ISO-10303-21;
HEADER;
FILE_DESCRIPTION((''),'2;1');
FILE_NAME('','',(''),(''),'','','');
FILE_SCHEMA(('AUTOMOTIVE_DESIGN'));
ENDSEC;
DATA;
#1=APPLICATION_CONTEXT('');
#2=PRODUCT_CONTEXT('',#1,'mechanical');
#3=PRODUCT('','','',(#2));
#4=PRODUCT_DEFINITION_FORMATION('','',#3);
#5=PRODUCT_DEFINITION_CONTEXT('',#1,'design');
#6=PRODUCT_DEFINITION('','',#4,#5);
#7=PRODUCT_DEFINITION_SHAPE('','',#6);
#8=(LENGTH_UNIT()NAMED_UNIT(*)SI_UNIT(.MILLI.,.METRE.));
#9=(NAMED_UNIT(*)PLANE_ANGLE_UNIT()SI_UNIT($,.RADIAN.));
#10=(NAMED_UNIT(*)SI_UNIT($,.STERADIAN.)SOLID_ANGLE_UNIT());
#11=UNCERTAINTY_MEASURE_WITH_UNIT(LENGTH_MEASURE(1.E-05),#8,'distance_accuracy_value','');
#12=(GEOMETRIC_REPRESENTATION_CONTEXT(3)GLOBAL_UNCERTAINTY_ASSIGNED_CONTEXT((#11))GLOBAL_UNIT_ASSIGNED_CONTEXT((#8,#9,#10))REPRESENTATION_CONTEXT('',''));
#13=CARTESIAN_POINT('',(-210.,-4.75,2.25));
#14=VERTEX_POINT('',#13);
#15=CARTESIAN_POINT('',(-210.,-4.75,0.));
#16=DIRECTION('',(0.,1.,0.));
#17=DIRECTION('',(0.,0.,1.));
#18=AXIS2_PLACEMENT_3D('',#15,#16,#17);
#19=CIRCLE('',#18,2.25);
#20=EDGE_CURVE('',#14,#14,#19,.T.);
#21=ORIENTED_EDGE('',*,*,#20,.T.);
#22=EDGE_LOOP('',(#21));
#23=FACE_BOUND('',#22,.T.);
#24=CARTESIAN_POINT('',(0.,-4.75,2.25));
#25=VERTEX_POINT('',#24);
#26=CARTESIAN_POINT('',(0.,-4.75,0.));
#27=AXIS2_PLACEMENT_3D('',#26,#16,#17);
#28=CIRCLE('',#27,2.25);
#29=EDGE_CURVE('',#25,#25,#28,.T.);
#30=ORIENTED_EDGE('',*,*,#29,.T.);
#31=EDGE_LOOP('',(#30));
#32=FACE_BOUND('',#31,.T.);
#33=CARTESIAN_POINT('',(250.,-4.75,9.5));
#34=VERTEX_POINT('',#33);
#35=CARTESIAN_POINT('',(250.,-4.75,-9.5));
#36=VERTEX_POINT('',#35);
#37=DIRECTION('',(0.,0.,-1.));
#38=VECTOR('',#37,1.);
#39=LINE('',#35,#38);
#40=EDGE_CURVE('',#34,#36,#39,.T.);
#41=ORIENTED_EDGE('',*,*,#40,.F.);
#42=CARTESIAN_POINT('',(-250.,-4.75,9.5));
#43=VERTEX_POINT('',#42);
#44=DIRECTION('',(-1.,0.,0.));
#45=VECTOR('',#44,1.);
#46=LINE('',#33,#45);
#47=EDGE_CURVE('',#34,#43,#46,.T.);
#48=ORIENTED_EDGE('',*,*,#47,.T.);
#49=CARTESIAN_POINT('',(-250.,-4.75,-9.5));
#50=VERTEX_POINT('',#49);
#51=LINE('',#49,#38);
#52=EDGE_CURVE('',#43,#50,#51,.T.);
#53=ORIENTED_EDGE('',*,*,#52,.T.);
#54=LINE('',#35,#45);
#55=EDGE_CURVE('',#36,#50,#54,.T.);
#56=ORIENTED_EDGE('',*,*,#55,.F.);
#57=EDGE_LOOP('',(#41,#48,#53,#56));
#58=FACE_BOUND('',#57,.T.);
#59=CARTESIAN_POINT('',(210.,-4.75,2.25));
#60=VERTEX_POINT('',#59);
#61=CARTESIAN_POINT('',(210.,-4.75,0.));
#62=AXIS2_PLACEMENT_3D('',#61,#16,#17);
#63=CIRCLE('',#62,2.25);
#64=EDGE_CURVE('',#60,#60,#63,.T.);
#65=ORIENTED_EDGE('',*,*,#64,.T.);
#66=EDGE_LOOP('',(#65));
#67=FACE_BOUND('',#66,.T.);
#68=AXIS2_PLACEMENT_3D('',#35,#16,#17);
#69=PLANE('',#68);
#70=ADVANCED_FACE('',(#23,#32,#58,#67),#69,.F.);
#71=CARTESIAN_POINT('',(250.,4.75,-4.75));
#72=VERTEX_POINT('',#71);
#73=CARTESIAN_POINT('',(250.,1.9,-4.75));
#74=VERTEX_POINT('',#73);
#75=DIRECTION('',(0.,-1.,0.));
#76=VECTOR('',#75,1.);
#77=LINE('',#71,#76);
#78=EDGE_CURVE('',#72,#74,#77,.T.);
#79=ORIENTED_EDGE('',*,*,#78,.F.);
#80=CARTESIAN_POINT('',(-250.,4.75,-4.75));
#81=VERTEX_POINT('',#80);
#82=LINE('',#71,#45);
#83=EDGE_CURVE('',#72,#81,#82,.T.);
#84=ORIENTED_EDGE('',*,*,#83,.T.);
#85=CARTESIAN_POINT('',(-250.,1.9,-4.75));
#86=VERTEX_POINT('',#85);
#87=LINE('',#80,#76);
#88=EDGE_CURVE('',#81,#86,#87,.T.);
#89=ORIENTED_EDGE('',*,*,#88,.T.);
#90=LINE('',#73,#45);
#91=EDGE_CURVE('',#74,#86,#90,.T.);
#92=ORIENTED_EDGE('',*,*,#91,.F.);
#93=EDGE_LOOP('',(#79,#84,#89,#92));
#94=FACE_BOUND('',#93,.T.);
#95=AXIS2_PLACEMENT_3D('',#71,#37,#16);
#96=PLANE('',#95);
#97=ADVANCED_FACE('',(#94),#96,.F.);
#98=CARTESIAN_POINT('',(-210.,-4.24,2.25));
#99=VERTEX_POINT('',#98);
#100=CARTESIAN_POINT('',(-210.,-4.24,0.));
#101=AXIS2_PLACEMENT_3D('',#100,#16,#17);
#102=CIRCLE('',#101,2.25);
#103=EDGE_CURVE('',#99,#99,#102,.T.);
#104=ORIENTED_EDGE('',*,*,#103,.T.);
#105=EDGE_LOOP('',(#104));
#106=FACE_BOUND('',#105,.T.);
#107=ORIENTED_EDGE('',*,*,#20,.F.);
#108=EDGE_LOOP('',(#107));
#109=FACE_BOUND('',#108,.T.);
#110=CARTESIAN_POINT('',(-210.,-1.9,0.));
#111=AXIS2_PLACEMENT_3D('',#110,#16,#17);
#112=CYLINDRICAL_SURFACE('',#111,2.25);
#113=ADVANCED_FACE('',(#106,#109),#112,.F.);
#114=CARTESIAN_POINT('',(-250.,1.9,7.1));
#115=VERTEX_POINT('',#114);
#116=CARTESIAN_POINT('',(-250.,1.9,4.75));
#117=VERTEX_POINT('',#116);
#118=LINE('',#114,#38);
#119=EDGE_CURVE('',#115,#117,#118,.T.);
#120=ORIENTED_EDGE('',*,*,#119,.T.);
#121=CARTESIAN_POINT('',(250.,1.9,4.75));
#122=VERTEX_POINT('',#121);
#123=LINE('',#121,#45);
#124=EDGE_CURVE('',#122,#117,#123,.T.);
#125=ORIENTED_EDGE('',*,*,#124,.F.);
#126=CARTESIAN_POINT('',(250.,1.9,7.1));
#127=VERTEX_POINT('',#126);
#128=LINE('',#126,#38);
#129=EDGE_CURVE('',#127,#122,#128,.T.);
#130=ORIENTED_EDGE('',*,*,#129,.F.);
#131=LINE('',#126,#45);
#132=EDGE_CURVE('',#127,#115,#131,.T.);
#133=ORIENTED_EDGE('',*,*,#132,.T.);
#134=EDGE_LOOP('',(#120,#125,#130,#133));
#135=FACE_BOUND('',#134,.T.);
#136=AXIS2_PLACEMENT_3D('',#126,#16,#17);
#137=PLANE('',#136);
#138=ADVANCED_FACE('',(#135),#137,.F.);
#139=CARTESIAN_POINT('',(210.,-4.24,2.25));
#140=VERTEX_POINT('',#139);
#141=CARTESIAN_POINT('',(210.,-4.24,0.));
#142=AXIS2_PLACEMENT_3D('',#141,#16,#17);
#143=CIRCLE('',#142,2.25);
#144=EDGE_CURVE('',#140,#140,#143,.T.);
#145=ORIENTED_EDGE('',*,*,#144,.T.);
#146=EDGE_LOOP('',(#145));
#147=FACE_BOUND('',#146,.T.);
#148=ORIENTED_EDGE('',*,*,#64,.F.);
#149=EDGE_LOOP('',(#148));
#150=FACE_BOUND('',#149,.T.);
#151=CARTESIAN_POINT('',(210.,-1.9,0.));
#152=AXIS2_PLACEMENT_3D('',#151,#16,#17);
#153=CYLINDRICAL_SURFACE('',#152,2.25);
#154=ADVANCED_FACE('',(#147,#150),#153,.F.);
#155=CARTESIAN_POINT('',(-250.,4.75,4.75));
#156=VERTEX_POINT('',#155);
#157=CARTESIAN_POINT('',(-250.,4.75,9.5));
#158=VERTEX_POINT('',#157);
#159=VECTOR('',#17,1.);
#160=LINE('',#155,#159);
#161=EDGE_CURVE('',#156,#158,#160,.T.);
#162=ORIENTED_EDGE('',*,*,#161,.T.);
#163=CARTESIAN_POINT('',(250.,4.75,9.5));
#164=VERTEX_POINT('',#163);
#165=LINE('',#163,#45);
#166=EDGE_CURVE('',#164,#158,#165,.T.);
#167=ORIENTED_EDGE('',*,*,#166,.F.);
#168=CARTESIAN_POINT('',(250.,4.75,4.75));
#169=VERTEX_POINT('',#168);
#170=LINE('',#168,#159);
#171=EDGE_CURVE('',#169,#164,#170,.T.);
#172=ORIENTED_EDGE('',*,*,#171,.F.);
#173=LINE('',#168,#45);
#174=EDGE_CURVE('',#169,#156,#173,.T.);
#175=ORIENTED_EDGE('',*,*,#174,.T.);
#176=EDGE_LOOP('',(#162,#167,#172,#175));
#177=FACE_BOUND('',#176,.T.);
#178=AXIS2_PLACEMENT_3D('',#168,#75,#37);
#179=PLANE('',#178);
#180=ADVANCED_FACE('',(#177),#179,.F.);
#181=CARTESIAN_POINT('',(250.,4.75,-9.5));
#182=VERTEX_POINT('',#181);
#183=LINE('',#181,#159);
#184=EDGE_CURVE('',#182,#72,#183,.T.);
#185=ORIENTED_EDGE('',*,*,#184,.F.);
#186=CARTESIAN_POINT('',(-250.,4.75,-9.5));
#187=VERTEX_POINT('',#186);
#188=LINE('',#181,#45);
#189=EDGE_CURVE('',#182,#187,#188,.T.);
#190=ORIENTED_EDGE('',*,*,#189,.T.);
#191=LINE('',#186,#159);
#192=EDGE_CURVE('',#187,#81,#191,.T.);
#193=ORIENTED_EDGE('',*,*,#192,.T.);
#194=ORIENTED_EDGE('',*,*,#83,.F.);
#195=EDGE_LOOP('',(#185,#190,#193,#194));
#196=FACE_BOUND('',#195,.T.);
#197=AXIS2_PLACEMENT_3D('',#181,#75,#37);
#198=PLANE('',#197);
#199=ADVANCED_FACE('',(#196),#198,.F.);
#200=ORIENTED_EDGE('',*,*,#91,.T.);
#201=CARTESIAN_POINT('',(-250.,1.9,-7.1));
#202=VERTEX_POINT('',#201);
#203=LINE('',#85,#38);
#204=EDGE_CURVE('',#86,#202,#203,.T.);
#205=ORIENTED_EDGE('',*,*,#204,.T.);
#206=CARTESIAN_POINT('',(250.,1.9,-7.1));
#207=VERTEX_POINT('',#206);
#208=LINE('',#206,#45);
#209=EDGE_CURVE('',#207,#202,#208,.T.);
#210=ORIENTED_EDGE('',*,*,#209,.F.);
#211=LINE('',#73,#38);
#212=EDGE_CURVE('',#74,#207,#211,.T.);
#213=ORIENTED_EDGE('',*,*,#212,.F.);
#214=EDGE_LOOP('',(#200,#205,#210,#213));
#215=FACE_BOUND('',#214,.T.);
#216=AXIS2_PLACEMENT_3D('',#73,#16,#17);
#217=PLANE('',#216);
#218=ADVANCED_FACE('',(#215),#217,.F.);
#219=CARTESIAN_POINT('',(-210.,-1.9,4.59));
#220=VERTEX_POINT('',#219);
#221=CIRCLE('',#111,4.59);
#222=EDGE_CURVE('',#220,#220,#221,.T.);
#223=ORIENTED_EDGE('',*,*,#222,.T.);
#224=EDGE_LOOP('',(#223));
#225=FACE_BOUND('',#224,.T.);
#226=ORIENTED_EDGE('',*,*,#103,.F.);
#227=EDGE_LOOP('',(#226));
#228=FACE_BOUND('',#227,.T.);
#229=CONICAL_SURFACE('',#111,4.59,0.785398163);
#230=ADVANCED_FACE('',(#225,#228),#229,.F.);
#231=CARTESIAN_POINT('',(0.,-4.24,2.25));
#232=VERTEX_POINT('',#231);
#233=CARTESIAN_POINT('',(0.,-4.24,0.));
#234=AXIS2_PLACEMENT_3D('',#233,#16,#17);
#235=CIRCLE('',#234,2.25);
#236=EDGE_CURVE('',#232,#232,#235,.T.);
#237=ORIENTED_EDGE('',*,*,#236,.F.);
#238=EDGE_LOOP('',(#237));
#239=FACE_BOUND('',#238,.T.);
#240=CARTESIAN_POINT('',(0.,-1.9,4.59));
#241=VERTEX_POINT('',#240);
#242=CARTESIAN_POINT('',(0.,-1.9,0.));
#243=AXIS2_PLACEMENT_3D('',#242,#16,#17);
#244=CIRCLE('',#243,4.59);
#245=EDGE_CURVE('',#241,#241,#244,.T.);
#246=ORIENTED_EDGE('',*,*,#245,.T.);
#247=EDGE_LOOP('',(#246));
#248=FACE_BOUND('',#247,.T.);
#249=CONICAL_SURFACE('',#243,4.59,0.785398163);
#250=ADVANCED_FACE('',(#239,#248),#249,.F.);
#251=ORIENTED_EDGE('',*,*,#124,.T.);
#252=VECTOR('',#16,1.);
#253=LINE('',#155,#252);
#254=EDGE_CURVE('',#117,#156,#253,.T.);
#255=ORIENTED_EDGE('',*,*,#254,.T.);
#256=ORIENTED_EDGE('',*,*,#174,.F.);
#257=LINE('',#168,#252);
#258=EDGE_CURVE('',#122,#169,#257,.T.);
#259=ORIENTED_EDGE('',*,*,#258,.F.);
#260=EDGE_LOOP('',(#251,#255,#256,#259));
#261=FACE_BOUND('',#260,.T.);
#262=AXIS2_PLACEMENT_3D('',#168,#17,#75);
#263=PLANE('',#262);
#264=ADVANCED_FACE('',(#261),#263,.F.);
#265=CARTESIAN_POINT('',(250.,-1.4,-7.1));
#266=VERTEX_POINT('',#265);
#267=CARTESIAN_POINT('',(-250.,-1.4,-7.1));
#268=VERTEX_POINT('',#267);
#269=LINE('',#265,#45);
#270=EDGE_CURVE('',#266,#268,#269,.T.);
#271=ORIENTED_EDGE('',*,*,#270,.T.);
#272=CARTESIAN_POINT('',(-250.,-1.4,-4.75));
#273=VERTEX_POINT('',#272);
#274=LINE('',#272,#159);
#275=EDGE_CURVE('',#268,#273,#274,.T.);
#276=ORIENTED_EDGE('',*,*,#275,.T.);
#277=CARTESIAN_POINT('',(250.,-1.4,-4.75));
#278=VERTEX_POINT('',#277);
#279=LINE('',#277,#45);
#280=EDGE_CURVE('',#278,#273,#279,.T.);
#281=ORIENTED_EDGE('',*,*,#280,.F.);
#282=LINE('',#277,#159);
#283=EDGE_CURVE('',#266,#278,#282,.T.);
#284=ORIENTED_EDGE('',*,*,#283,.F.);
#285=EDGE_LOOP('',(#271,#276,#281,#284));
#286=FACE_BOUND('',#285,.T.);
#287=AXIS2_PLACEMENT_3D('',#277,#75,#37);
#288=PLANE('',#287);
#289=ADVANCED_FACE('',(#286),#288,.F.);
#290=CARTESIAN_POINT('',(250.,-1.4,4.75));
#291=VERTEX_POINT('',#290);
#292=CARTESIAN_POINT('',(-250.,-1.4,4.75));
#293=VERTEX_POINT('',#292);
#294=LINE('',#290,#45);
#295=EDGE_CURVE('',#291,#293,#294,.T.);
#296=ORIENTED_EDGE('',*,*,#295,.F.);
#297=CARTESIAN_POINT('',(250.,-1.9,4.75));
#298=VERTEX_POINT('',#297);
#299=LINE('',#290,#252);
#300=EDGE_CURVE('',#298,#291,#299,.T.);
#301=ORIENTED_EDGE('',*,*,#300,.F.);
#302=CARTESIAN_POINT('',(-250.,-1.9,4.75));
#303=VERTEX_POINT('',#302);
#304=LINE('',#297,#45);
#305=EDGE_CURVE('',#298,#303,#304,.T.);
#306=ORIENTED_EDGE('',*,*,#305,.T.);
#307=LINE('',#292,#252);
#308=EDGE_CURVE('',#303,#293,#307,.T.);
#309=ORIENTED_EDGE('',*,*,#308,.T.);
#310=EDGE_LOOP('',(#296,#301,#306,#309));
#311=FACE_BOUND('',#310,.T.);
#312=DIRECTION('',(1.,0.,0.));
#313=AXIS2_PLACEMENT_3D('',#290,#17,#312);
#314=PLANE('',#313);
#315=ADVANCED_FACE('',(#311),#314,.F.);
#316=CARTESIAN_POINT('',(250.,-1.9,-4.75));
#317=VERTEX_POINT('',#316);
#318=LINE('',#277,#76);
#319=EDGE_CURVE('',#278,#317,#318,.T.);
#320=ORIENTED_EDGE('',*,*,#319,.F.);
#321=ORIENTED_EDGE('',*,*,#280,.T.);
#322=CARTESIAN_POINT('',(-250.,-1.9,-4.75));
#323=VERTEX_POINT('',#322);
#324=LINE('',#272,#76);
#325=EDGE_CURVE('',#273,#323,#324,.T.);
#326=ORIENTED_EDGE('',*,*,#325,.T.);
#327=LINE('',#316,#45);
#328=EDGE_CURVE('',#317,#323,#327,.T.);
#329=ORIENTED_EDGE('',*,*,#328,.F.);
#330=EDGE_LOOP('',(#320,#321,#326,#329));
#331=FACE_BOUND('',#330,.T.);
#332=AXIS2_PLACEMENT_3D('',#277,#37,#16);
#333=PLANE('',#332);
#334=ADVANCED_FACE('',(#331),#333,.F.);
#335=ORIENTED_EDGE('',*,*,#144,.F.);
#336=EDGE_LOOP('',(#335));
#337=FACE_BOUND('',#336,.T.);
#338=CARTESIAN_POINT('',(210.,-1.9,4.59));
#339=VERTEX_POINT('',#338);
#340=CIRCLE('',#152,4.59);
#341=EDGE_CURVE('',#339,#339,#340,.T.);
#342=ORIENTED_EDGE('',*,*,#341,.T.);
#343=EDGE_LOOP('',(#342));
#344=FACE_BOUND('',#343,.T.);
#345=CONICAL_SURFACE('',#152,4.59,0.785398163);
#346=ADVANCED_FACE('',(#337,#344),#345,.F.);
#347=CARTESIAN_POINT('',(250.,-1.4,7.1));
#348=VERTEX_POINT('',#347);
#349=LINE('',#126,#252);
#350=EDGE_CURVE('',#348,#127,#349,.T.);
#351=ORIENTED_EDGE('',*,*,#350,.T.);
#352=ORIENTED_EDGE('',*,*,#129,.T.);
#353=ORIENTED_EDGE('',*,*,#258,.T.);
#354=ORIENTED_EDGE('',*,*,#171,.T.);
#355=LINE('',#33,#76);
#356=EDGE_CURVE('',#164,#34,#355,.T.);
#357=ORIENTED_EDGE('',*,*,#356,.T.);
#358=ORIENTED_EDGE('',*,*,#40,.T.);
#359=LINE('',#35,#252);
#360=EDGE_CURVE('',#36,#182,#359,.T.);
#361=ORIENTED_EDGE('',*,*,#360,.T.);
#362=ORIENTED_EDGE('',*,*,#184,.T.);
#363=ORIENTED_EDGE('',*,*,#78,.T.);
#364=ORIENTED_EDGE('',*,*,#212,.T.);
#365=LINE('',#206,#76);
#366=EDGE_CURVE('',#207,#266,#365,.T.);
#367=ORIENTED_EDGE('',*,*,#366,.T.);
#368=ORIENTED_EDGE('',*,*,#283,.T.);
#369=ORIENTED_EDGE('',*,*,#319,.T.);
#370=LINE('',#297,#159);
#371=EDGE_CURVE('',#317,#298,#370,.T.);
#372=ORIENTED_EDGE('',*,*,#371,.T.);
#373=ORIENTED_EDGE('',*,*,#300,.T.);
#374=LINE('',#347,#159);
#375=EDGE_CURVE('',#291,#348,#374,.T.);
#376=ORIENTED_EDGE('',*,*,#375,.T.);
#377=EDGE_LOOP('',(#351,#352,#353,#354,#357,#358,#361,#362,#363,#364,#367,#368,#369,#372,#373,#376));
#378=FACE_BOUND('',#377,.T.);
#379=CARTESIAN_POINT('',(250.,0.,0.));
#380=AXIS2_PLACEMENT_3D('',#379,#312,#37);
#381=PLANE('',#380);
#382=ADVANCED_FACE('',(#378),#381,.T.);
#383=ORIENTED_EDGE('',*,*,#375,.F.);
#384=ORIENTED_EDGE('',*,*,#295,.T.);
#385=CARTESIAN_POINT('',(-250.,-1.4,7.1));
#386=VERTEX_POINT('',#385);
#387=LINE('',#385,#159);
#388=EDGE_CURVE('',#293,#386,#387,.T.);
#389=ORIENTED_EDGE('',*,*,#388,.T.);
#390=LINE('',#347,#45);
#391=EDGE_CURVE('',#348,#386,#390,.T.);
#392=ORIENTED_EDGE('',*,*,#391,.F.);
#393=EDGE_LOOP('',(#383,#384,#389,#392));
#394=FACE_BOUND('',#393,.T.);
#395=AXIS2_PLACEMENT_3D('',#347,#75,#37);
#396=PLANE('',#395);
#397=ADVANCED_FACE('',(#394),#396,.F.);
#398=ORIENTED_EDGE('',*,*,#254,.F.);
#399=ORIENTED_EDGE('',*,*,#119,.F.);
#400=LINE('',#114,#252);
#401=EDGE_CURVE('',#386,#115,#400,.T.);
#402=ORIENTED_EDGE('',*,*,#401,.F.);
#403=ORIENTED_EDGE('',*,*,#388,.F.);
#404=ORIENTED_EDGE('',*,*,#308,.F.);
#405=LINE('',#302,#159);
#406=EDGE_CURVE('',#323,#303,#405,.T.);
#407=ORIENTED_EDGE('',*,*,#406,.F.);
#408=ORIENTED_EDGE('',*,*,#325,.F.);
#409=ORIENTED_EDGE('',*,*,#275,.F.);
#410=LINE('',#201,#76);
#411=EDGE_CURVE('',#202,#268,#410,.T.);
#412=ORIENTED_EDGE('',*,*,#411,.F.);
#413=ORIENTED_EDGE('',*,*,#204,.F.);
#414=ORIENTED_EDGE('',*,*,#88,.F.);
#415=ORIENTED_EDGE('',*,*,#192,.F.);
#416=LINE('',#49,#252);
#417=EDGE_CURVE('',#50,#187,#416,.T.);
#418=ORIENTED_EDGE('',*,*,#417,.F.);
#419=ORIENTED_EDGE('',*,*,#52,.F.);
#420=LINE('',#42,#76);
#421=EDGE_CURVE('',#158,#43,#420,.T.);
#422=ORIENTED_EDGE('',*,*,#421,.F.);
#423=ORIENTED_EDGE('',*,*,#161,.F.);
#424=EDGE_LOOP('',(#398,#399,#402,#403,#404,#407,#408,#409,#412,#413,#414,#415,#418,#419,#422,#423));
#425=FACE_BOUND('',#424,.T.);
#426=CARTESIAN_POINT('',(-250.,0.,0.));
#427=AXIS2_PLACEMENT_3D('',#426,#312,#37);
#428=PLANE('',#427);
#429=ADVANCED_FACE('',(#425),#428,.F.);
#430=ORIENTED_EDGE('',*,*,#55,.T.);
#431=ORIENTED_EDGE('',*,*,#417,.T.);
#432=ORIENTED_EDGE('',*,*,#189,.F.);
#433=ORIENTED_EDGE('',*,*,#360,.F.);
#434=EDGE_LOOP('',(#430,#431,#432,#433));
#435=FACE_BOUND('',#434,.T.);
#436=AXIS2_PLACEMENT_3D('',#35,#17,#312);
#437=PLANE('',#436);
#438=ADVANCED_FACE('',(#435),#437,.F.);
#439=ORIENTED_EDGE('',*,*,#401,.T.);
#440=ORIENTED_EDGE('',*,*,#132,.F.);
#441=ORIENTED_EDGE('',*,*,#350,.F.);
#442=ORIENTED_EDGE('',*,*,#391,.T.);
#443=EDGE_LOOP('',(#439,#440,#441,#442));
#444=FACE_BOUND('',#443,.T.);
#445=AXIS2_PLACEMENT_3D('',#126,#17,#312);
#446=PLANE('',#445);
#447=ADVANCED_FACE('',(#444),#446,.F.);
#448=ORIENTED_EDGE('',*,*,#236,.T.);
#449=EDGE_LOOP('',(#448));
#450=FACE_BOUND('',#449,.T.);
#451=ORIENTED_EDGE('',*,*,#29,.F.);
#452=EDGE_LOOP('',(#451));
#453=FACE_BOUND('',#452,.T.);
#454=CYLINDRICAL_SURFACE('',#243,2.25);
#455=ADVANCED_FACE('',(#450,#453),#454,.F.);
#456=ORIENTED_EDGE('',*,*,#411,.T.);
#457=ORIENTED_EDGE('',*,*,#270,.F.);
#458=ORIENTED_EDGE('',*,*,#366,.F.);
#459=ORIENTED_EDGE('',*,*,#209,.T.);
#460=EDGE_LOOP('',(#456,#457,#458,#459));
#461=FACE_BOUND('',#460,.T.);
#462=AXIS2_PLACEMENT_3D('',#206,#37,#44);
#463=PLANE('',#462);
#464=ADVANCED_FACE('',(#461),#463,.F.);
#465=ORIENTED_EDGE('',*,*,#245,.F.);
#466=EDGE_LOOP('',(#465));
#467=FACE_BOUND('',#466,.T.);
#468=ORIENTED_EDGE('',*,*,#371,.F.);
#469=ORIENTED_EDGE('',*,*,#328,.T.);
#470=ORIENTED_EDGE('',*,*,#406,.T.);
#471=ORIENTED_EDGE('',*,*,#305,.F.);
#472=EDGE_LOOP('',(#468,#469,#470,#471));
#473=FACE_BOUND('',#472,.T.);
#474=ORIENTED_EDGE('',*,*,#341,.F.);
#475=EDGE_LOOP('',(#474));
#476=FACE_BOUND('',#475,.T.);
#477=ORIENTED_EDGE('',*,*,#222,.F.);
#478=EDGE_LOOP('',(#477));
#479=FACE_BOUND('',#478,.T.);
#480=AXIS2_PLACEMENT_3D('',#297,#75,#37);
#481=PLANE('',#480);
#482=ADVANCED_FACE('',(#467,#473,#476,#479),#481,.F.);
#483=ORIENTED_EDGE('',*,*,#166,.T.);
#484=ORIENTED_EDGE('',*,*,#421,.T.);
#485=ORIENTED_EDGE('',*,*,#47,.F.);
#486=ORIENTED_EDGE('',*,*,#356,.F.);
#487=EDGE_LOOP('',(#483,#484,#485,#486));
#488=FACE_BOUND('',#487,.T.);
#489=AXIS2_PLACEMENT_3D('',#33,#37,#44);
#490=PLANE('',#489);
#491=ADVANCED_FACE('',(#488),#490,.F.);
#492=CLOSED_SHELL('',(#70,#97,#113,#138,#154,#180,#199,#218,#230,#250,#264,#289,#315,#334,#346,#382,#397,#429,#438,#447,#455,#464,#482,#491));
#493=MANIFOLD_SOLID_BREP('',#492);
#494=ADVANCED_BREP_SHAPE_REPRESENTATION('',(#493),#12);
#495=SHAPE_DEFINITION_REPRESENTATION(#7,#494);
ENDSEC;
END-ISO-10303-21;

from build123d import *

# Parameters (mm, degrees)
BOSS_EXTRUDE1_DEPTH                                  = 250
CSK_FOR_M4_HEX_SOCKET_COUNTERSUNK_HEAD_S_D           = 4.5
CSK_FOR_M4_HEX_SOCKET_COUNTERSUNK_HEAD_S_DEPTH       = 5.4
CSK_FOR_M4_HEX_SOCKET_COUNTERSUNK_HEAD_S_CSINK_D     = 9.18
CSK_FOR_M4_HEX_SOCKET_COUNTERSUNK_HEAD_S_CSINK_ANGLE = 90
CSK_FOR_M4_HEX_SOCKET_COUNTERSUNK_HEAD_S_TIP         = 1.351936393


with BuildPart() as part:
    # Sketch1 → Boss-Extrude1 (new, symmetric)
    with BuildSketch(Plane(origin=(0, 0, 0), x_dir=(0, 0, -1), z_dir=(1, 0, 0))):
        Polygon((-4.75, 4.75), (-9.5, 4.75), (-9.5, -4.75), (9.5, -4.75), (9.5, 4.75), (4.75, 4.75), (4.75, 1.9), (7.1, 1.9), (7.1, -1.4), (4.75, -1.4), (4.75, -1.9), (-4.75, -1.9), (-4.75, -1.4), (-7.1, -1.4), (-7.1, 1.9), (-4.75, 1.9), align=None)
    extrude(amount=BOSS_EXTRUDE1_DEPTH, both=True)

    # CSK for M4 Hex Socket Countersunk Head Screw1
    with Locations(Plane(origin=(0, -1.9, 0), x_dir=(1, 0, 0), z_dir=(0, 1, 0))):
        with Locations((0, 0), (-210, 0), (210, 0)):
            CounterSinkHole(CSK_FOR_M4_HEX_SOCKET_COUNTERSUNK_HEAD_S_D / 2, CSK_FOR_M4_HEX_SOCKET_COUNTERSUNK_HEAD_S_CSINK_D / 2, depth=CSK_FOR_M4_HEX_SOCKET_COUNTERSUNK_HEAD_S_DEPTH, counter_sink_angle=CSK_FOR_M4_HEX_SOCKET_COUNTERSUNK_HEAD_S_CSINK_ANGLE)
            with Locations((0, 0, -(CSK_FOR_M4_HEX_SOCKET_COUNTERSUNK_HEAD_S_DEPTH + CSK_FOR_M4_HEX_SOCKET_COUNTERSUNK_HEAD_S_TIP / 2))):  # 118° drill point
                Cone(0, CSK_FOR_M4_HEX_SOCKET_COUNTERSUNK_HEAD_S_D / 2, CSK_FOR_M4_HEX_SOCKET_COUNTERSUNK_HEAD_S_TIP, mode=Mode.SUBTRACT)


solid = part.part
